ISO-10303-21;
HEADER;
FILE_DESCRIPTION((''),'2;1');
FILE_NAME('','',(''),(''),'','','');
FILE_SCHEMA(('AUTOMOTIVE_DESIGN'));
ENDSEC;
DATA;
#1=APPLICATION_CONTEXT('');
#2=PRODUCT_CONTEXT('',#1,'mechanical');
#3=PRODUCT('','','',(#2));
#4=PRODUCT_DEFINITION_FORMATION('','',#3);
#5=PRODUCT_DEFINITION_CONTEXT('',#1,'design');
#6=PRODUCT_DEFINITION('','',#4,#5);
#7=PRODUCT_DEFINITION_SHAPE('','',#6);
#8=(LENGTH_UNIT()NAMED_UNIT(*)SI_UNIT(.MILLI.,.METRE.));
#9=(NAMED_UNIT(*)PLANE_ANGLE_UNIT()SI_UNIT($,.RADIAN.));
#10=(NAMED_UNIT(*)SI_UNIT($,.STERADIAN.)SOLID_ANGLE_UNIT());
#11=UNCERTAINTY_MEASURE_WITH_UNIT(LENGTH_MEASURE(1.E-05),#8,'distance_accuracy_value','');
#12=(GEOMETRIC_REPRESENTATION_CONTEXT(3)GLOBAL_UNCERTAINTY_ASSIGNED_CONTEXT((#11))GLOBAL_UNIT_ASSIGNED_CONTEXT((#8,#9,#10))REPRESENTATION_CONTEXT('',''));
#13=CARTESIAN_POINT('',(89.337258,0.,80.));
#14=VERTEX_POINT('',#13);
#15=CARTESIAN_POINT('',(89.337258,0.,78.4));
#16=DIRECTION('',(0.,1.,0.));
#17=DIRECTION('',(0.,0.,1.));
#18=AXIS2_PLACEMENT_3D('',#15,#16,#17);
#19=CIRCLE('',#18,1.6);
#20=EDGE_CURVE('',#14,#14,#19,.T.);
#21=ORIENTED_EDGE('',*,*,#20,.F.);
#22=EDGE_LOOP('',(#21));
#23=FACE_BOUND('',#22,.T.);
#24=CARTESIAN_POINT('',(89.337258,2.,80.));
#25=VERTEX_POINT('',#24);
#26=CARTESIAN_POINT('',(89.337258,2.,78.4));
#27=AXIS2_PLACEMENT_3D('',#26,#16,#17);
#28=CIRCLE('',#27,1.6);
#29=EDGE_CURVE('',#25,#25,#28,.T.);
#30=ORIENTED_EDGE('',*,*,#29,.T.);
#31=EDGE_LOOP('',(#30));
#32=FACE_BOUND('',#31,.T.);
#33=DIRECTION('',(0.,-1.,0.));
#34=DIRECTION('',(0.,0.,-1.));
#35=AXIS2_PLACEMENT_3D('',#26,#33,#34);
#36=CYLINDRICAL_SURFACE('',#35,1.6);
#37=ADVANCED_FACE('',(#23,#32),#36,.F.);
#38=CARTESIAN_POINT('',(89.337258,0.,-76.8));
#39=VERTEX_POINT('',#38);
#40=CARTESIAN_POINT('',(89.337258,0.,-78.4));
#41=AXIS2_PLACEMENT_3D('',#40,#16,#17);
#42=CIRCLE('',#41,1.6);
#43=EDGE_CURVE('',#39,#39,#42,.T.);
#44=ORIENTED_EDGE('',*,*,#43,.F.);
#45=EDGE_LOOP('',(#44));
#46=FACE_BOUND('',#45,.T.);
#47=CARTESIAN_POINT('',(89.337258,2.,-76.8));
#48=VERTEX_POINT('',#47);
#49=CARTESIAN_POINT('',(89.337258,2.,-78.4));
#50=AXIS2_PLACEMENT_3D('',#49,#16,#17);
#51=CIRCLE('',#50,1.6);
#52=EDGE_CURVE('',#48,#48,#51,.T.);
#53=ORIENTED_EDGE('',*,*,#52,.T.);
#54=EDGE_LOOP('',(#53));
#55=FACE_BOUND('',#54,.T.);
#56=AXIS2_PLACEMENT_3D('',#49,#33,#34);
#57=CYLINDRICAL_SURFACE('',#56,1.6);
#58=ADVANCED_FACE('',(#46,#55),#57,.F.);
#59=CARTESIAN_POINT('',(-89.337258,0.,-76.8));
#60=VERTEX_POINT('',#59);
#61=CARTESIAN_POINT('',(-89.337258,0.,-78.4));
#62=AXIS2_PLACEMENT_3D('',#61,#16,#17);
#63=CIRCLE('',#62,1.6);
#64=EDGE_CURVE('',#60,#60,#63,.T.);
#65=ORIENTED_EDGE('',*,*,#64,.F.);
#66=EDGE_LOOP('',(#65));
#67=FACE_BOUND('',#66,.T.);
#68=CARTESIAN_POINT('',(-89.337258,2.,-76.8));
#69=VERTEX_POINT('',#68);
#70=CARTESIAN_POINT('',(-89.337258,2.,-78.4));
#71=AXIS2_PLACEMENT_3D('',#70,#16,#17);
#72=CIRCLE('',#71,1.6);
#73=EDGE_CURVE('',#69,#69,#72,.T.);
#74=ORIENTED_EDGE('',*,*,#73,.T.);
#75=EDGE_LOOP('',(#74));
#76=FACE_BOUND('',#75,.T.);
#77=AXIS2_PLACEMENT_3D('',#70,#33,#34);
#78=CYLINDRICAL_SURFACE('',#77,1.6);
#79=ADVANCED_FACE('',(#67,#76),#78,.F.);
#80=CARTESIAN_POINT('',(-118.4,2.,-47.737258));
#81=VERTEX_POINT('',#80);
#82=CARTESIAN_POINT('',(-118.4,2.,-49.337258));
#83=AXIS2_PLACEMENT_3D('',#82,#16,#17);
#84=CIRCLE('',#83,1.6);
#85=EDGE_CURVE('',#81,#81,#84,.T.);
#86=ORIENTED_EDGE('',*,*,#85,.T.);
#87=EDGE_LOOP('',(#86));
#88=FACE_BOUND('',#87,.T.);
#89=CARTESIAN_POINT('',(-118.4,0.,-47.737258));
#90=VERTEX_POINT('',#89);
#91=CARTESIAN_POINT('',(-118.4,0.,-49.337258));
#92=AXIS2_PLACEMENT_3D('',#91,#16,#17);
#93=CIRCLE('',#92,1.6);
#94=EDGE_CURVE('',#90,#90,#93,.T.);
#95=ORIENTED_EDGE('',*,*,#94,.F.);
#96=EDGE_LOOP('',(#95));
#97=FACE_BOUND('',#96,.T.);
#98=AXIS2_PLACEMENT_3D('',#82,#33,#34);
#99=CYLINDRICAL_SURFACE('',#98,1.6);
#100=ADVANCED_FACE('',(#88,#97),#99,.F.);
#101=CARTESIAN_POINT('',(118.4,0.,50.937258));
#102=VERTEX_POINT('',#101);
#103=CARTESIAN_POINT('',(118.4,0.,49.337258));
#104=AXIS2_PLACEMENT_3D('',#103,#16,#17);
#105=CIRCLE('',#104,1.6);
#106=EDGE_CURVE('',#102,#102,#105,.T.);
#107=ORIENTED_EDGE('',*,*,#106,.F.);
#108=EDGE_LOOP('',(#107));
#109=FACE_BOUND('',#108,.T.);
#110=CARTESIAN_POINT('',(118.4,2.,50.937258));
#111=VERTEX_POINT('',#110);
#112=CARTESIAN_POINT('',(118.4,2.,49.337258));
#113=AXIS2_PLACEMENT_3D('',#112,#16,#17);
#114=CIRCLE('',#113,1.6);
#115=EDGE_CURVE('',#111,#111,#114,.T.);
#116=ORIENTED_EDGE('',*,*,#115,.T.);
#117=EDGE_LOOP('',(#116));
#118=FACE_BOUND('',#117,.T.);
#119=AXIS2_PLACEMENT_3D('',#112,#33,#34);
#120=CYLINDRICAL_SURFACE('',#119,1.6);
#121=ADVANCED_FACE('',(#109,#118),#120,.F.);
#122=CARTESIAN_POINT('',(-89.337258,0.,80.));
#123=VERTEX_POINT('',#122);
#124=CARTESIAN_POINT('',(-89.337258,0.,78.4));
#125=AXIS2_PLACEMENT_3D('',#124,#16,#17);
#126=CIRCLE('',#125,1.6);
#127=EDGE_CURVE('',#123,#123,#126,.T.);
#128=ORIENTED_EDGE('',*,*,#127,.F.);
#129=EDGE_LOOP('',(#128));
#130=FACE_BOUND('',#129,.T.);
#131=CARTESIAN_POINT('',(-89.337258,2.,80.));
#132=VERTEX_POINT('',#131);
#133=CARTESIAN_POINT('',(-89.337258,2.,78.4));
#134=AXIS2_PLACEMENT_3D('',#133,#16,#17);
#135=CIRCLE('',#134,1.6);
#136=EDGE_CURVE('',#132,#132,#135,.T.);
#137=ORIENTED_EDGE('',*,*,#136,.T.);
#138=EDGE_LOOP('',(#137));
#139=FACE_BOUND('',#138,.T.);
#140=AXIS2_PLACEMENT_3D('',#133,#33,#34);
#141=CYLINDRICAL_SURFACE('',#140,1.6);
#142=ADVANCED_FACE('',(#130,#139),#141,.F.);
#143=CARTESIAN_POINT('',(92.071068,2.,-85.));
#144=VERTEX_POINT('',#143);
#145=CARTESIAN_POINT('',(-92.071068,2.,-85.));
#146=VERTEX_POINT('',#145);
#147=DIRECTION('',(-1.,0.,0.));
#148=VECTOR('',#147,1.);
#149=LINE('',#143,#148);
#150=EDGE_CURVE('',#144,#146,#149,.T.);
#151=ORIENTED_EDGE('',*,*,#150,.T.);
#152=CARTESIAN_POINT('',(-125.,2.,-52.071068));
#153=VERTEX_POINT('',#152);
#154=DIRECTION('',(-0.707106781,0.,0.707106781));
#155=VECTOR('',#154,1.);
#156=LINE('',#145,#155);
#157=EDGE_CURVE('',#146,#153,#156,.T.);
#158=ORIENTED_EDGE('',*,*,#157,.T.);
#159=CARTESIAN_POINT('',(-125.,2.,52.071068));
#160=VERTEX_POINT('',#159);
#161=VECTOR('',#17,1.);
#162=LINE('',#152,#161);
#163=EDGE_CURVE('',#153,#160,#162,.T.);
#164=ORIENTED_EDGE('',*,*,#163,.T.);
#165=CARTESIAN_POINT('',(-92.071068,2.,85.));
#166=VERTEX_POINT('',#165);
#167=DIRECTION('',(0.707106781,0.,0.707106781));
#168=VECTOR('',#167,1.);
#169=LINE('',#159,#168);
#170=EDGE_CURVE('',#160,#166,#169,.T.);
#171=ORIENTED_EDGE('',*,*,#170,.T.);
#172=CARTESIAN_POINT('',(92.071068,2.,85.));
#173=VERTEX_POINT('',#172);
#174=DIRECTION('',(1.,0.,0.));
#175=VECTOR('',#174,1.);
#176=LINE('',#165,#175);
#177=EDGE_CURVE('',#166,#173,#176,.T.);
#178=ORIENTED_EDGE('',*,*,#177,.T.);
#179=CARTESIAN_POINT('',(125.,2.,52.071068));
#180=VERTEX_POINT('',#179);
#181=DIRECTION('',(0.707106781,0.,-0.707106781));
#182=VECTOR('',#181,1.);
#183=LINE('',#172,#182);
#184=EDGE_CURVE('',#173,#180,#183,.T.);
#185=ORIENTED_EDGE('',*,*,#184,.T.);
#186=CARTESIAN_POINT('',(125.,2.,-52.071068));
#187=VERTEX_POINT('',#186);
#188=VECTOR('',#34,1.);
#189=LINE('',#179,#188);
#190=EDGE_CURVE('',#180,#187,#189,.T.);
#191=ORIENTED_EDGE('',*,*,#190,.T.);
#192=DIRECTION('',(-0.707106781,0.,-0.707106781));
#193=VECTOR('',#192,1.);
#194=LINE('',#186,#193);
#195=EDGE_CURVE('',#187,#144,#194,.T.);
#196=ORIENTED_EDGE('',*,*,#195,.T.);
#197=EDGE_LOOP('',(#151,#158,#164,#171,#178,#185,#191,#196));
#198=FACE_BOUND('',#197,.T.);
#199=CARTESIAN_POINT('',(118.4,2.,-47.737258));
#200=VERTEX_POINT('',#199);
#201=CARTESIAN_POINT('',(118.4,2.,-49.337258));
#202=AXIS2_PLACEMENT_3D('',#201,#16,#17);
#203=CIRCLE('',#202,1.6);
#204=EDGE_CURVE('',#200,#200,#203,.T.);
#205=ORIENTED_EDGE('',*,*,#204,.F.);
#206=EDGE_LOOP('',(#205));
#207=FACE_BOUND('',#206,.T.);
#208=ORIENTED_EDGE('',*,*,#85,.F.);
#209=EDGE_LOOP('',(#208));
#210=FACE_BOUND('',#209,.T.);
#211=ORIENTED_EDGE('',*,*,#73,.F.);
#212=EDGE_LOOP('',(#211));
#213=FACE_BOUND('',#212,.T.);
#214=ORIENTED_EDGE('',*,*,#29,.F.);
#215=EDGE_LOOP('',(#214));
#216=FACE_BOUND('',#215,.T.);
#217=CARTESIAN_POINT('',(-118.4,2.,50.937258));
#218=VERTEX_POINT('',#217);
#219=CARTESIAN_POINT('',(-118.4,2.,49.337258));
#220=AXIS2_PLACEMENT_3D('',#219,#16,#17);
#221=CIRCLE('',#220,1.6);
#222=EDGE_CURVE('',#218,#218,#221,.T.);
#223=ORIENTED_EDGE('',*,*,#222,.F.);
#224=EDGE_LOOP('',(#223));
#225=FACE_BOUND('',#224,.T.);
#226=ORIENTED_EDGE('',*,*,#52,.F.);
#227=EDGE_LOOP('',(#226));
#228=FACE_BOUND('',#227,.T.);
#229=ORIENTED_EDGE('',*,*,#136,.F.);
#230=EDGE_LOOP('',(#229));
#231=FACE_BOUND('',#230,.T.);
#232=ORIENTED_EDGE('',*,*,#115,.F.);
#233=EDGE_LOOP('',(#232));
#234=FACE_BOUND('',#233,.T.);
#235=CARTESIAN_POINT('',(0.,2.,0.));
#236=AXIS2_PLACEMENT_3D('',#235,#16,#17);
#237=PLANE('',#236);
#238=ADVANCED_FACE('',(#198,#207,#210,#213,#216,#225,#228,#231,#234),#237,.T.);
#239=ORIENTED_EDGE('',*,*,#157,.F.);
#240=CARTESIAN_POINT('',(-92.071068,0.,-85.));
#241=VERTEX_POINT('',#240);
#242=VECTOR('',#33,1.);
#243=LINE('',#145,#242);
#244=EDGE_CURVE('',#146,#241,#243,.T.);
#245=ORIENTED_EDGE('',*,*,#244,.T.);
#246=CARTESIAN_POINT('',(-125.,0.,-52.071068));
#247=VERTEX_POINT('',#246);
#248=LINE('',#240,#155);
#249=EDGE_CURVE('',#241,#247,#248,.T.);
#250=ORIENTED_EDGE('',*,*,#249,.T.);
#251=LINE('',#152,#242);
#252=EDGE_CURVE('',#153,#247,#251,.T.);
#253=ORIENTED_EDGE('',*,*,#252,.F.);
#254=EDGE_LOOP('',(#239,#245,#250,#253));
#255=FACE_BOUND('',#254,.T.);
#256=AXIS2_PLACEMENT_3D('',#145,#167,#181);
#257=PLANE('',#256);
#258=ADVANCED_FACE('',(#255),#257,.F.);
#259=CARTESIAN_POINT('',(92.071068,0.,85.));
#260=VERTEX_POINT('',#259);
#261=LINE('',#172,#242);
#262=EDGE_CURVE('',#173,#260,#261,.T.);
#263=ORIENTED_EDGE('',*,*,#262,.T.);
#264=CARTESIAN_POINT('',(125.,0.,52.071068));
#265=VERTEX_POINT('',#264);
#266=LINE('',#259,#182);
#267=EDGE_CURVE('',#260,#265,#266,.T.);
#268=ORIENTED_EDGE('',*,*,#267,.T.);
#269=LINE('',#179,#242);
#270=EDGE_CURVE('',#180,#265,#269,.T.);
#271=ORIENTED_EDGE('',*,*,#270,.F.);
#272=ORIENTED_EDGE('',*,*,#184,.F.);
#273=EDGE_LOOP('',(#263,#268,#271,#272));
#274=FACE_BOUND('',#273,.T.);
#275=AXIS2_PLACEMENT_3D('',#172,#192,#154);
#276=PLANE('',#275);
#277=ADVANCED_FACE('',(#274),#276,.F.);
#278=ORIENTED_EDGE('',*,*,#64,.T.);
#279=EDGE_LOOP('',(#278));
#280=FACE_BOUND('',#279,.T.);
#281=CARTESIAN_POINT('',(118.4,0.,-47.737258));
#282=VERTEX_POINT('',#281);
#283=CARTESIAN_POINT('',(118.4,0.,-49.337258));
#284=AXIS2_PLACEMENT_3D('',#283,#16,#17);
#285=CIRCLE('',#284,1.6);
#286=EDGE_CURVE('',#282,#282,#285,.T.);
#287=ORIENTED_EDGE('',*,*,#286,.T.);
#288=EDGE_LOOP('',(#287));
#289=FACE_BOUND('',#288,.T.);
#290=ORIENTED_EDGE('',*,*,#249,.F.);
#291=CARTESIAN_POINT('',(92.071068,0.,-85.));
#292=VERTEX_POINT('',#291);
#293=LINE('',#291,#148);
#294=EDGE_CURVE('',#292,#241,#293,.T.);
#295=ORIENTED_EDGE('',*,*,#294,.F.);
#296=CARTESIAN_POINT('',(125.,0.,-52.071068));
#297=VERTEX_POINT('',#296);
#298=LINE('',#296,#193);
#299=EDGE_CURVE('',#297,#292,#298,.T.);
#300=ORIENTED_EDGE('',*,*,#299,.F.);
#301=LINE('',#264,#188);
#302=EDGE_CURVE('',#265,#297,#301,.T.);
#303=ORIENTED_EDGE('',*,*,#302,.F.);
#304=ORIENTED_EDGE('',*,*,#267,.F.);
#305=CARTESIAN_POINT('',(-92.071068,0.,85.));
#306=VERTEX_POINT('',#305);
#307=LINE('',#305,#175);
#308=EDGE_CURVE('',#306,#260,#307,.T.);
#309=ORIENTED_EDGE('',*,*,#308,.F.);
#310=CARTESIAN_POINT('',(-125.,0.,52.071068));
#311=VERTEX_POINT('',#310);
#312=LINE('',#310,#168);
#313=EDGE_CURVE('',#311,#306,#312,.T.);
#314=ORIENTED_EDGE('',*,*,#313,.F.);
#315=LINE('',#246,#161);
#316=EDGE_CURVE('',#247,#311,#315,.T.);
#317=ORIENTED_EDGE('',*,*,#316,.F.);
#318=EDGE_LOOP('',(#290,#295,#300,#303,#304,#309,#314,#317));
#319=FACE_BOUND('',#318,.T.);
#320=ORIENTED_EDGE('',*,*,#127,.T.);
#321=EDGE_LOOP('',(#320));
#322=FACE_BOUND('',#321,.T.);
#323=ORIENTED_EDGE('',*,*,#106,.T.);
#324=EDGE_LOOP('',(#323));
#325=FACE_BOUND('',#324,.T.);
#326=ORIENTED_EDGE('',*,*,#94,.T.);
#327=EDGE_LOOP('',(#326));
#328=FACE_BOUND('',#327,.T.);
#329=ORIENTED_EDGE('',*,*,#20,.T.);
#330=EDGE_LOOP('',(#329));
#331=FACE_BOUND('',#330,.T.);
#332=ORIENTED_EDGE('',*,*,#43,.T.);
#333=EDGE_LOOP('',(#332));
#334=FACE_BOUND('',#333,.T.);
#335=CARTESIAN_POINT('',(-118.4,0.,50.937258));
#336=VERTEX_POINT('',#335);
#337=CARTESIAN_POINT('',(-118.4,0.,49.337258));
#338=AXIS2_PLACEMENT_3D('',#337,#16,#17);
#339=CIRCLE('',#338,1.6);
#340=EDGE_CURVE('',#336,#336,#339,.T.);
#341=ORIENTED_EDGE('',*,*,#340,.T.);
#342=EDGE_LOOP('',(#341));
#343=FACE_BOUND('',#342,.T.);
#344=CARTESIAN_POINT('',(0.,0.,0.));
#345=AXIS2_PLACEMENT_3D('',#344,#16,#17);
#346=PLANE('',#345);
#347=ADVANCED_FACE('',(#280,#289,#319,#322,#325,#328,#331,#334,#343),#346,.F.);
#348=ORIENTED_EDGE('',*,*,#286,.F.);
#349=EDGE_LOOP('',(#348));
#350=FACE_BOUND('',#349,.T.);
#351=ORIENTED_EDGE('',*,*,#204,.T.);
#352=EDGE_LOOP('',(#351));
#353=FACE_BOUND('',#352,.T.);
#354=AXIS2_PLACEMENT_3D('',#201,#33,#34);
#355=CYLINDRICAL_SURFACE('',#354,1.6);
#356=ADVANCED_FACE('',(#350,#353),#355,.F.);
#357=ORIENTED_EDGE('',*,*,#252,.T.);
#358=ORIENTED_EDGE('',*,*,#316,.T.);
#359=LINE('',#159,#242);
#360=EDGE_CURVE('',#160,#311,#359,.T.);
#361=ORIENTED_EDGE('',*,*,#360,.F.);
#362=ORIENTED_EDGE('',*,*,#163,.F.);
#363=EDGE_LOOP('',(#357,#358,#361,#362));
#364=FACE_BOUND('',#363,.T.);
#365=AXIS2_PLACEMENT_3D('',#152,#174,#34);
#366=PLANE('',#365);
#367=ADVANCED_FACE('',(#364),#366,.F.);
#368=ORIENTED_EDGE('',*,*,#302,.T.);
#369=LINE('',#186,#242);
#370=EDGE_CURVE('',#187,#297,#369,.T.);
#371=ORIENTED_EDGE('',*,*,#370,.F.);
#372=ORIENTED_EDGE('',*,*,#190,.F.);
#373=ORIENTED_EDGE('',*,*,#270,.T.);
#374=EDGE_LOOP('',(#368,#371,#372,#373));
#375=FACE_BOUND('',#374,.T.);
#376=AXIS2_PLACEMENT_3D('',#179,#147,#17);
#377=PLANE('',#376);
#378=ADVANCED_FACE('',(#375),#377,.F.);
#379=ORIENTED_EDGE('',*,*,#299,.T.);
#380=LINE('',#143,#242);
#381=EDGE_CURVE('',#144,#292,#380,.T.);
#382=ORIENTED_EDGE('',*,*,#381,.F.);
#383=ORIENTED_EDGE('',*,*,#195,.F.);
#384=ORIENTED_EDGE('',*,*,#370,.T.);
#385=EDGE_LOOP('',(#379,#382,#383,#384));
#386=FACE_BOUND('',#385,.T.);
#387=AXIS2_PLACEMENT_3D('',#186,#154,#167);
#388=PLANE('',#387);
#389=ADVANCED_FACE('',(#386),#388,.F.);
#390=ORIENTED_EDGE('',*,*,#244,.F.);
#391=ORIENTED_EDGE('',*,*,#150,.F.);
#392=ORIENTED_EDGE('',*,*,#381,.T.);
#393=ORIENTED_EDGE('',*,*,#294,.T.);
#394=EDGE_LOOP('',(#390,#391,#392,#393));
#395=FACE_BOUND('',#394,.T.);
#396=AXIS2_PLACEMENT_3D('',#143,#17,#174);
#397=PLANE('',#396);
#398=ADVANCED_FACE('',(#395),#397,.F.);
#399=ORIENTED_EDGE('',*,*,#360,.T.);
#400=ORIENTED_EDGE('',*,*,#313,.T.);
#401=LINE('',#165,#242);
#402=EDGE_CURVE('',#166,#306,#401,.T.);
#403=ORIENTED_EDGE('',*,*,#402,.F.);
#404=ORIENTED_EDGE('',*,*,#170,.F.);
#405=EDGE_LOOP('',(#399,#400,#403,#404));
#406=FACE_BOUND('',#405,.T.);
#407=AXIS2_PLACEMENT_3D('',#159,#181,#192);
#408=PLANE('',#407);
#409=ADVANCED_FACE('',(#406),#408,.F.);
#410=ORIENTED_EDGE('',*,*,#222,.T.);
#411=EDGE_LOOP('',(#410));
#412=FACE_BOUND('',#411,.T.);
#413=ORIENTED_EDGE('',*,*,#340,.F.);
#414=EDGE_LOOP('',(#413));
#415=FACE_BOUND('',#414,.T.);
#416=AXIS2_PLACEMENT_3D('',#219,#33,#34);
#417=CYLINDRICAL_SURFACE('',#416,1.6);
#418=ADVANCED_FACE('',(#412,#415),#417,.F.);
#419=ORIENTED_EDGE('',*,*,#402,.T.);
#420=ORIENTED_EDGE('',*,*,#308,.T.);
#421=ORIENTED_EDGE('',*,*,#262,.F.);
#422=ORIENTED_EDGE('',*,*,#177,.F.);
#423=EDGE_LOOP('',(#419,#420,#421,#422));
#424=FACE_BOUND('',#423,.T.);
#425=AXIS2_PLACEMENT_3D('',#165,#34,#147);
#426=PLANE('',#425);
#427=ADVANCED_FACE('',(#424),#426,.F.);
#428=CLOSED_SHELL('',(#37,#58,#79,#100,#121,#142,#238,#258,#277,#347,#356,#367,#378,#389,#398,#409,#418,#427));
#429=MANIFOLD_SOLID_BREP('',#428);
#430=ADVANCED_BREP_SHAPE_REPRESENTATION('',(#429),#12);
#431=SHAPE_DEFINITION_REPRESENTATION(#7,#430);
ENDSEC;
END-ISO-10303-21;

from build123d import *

# Parameters (mm, degrees)
SKETCH1_R           = 1.6
BOSS_EXTRUDE1_DEPTH = 2


with BuildPart() as part:
    # Sketch1 → Boss-Extrude1 (new body)
    with BuildSketch(Plane(origin=(0, 0, 0), x_dir=(1, 0, 0), z_dir=(0, 1, 0))):
        Polygon((125, 52.071067812), (92.071067812, 85), (-92.071067812, 85), (-125, 52.071067812), (-125, -52.071067812), (-92.071067812, -85), (92.071067812, -85), (125, -52.071067812), align=None)
        with Locations((-89.3372583, -78.4)):
            Circle(SKETCH1_R, mode=Mode.SUBTRACT)
        with Locations((-118.4, -49.3372583)):
            Circle(SKETCH1_R, mode=Mode.SUBTRACT)
        with Locations((-118.4, 49.3372583)):
            Circle(SKETCH1_R, mode=Mode.SUBTRACT)
        with Locations((-89.3372583, 78.4)):
            Circle(SKETCH1_R, mode=Mode.SUBTRACT)
        with Locations((89.3372583, 78.4)):
            Circle(SKETCH1_R, mode=Mode.SUBTRACT)
        with Locations((118.4, 49.3372583)):
            Circle(SKETCH1_R, mode=Mode.SUBTRACT)
        with Locations((118.4, -49.3372583)):
            Circle(SKETCH1_R, mode=Mode.SUBTRACT)
        with Locations((89.3372583, -78.4)):
            Circle(SKETCH1_R, mode=Mode.SUBTRACT)
    extrude(amount=BOSS_EXTRUDE1_DEPTH)


solid = part.part
